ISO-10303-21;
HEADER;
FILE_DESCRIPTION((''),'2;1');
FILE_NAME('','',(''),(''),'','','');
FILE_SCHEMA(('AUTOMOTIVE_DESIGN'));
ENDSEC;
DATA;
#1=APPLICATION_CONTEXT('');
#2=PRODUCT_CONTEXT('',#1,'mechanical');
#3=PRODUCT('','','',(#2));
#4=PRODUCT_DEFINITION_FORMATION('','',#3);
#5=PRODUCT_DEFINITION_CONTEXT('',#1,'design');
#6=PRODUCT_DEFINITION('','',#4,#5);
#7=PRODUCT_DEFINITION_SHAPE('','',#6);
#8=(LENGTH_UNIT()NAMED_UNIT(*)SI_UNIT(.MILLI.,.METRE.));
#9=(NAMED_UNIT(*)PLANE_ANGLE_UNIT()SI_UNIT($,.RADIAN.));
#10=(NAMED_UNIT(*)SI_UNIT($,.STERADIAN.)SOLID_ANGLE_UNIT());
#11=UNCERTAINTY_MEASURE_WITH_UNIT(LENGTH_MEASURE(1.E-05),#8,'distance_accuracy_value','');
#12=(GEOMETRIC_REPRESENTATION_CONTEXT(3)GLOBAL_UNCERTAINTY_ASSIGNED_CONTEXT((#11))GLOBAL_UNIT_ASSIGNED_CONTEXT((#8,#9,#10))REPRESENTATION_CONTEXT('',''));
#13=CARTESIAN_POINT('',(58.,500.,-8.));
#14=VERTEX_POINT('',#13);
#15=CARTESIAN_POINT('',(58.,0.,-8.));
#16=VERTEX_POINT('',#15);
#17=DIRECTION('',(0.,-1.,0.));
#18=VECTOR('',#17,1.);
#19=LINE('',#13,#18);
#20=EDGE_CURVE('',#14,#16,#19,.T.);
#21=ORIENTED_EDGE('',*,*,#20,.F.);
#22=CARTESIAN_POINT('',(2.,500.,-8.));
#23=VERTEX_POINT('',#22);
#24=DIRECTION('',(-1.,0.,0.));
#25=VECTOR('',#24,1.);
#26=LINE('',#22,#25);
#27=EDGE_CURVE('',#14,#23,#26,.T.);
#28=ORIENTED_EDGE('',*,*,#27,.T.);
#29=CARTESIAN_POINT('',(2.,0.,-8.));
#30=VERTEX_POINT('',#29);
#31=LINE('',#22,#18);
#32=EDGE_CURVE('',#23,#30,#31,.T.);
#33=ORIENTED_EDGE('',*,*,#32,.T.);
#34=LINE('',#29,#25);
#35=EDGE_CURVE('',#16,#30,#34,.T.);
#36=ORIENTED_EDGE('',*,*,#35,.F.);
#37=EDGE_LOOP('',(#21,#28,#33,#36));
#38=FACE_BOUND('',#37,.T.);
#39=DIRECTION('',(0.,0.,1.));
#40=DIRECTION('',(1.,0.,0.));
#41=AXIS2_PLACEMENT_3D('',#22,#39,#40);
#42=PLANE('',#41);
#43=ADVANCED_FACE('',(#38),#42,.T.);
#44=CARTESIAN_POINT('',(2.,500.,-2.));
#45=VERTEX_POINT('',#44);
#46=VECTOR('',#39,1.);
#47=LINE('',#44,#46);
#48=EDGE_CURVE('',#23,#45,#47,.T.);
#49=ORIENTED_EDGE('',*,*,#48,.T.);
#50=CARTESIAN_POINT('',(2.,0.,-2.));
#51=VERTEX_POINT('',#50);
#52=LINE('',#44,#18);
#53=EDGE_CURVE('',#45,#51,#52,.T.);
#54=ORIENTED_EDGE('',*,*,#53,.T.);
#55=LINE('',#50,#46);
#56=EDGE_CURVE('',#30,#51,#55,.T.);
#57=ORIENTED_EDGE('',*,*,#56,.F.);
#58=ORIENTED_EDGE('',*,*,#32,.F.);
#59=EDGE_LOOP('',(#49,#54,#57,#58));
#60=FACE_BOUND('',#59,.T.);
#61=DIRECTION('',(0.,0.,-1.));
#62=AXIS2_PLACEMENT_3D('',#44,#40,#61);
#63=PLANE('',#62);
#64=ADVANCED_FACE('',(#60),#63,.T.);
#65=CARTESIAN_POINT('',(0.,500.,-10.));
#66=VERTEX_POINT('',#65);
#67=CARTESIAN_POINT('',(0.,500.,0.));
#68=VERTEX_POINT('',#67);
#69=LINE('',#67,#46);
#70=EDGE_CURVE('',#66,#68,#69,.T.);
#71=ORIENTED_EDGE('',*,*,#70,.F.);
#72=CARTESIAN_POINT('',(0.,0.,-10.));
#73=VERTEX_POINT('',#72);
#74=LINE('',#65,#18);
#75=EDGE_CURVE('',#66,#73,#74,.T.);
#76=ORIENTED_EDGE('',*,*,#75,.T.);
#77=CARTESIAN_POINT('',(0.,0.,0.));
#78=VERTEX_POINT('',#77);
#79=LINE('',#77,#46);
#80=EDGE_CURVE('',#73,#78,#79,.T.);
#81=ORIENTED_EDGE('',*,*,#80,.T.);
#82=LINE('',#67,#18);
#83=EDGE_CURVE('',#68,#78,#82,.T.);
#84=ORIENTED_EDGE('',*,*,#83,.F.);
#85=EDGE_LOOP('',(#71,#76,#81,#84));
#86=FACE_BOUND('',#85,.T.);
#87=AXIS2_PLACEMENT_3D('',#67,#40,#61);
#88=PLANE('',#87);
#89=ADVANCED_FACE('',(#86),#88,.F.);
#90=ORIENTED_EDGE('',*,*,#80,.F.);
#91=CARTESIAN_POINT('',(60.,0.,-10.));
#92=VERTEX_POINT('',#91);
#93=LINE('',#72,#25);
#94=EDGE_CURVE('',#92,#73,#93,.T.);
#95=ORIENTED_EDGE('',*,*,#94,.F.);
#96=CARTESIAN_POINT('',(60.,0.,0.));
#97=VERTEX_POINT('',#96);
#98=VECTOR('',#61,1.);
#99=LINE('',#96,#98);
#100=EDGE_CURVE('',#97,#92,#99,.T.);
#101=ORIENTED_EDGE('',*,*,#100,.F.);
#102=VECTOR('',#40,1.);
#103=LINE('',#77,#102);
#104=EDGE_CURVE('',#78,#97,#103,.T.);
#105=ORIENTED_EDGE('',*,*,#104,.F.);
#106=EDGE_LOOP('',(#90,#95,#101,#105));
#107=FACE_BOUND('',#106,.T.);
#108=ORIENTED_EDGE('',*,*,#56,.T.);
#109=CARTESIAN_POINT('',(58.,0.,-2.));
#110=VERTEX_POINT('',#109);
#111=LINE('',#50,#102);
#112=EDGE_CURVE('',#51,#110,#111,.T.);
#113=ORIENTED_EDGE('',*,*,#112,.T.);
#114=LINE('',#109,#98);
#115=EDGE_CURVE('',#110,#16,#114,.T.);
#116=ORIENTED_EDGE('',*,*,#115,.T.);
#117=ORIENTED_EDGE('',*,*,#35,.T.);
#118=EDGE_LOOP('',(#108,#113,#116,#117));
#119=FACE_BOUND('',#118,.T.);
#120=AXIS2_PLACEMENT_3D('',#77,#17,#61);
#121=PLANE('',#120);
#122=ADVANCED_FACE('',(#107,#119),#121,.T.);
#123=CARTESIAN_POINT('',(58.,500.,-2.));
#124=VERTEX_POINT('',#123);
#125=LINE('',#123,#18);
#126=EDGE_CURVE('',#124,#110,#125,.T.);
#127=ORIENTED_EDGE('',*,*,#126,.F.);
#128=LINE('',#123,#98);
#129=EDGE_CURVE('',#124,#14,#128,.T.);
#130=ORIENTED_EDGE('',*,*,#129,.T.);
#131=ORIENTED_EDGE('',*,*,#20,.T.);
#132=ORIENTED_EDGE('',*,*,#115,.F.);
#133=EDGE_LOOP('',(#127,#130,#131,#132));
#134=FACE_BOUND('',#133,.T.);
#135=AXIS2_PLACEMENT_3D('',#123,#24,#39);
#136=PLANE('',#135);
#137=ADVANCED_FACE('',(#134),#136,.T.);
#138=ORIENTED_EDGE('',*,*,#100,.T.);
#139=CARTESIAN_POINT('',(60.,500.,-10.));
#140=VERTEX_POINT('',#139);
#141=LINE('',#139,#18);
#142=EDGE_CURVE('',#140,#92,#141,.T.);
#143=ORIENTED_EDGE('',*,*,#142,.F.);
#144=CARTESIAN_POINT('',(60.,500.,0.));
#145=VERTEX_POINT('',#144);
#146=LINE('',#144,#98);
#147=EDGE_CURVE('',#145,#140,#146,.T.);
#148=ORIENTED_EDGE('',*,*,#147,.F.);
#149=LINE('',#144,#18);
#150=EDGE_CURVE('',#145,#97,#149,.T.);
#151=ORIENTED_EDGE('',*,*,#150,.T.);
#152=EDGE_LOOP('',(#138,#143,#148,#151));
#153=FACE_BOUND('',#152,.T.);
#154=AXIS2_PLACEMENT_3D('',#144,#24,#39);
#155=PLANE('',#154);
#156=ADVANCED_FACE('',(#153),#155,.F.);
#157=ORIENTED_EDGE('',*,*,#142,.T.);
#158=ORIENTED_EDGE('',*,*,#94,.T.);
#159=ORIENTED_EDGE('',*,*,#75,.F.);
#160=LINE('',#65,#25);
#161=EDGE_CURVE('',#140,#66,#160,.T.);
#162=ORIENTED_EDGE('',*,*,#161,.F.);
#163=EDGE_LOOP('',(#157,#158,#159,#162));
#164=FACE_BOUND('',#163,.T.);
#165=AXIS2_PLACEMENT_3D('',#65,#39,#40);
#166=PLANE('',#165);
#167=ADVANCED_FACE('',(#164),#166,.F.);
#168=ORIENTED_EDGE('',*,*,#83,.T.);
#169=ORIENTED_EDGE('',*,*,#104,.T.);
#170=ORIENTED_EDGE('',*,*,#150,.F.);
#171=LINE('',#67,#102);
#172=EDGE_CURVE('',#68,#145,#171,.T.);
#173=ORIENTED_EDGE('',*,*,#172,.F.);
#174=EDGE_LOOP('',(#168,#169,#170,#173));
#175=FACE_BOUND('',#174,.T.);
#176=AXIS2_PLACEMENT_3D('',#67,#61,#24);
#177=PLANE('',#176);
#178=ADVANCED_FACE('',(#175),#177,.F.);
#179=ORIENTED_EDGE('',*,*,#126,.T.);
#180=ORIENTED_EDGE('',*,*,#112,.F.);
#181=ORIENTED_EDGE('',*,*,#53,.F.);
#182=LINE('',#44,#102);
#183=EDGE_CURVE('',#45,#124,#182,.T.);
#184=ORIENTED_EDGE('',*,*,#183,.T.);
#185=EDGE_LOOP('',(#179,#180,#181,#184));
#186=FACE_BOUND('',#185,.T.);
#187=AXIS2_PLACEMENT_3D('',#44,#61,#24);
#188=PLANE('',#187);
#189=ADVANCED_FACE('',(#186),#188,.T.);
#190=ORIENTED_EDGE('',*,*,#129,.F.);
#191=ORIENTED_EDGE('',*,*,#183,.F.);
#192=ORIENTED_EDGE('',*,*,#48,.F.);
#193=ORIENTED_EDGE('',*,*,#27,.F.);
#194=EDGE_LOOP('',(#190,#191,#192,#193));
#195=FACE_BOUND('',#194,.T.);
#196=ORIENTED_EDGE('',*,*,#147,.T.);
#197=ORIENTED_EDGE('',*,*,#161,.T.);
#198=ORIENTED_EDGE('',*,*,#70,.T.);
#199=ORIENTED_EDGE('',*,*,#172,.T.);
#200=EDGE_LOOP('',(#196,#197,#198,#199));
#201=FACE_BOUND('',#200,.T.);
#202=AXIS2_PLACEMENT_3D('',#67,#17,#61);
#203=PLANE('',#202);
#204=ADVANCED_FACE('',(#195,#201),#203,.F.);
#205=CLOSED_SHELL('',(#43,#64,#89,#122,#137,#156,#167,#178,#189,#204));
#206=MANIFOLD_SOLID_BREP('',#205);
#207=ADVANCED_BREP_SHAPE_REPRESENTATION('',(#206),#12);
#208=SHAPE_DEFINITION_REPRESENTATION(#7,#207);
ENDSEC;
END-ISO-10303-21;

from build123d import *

# Parameters (mm, degrees)
SKETCH_1_W      = 60
SKETCH_1_H      = 10
SKETCH_1_W_2    = 56
SKETCH_1_H_2    = 6
EXTRUDE_1_DEPTH = 500


with BuildPart() as part:
    # Эскиз1 → Бобышка-Вытянуть1 (new body)
    with BuildSketch(Plane(origin=(0, 0, 0), x_dir=(1, 0, 0), z_dir=(0, 1, 0))):
        with Locations((30, 5)):
            Rectangle(SKETCH_1_W, SKETCH_1_H)
        with Locations((30, 5)):
            Rectangle(SKETCH_1_W_2, SKETCH_1_H_2, mode=Mode.SUBTRACT)
    extrude(amount=EXTRUDE_1_DEPTH)


solid = part.part
